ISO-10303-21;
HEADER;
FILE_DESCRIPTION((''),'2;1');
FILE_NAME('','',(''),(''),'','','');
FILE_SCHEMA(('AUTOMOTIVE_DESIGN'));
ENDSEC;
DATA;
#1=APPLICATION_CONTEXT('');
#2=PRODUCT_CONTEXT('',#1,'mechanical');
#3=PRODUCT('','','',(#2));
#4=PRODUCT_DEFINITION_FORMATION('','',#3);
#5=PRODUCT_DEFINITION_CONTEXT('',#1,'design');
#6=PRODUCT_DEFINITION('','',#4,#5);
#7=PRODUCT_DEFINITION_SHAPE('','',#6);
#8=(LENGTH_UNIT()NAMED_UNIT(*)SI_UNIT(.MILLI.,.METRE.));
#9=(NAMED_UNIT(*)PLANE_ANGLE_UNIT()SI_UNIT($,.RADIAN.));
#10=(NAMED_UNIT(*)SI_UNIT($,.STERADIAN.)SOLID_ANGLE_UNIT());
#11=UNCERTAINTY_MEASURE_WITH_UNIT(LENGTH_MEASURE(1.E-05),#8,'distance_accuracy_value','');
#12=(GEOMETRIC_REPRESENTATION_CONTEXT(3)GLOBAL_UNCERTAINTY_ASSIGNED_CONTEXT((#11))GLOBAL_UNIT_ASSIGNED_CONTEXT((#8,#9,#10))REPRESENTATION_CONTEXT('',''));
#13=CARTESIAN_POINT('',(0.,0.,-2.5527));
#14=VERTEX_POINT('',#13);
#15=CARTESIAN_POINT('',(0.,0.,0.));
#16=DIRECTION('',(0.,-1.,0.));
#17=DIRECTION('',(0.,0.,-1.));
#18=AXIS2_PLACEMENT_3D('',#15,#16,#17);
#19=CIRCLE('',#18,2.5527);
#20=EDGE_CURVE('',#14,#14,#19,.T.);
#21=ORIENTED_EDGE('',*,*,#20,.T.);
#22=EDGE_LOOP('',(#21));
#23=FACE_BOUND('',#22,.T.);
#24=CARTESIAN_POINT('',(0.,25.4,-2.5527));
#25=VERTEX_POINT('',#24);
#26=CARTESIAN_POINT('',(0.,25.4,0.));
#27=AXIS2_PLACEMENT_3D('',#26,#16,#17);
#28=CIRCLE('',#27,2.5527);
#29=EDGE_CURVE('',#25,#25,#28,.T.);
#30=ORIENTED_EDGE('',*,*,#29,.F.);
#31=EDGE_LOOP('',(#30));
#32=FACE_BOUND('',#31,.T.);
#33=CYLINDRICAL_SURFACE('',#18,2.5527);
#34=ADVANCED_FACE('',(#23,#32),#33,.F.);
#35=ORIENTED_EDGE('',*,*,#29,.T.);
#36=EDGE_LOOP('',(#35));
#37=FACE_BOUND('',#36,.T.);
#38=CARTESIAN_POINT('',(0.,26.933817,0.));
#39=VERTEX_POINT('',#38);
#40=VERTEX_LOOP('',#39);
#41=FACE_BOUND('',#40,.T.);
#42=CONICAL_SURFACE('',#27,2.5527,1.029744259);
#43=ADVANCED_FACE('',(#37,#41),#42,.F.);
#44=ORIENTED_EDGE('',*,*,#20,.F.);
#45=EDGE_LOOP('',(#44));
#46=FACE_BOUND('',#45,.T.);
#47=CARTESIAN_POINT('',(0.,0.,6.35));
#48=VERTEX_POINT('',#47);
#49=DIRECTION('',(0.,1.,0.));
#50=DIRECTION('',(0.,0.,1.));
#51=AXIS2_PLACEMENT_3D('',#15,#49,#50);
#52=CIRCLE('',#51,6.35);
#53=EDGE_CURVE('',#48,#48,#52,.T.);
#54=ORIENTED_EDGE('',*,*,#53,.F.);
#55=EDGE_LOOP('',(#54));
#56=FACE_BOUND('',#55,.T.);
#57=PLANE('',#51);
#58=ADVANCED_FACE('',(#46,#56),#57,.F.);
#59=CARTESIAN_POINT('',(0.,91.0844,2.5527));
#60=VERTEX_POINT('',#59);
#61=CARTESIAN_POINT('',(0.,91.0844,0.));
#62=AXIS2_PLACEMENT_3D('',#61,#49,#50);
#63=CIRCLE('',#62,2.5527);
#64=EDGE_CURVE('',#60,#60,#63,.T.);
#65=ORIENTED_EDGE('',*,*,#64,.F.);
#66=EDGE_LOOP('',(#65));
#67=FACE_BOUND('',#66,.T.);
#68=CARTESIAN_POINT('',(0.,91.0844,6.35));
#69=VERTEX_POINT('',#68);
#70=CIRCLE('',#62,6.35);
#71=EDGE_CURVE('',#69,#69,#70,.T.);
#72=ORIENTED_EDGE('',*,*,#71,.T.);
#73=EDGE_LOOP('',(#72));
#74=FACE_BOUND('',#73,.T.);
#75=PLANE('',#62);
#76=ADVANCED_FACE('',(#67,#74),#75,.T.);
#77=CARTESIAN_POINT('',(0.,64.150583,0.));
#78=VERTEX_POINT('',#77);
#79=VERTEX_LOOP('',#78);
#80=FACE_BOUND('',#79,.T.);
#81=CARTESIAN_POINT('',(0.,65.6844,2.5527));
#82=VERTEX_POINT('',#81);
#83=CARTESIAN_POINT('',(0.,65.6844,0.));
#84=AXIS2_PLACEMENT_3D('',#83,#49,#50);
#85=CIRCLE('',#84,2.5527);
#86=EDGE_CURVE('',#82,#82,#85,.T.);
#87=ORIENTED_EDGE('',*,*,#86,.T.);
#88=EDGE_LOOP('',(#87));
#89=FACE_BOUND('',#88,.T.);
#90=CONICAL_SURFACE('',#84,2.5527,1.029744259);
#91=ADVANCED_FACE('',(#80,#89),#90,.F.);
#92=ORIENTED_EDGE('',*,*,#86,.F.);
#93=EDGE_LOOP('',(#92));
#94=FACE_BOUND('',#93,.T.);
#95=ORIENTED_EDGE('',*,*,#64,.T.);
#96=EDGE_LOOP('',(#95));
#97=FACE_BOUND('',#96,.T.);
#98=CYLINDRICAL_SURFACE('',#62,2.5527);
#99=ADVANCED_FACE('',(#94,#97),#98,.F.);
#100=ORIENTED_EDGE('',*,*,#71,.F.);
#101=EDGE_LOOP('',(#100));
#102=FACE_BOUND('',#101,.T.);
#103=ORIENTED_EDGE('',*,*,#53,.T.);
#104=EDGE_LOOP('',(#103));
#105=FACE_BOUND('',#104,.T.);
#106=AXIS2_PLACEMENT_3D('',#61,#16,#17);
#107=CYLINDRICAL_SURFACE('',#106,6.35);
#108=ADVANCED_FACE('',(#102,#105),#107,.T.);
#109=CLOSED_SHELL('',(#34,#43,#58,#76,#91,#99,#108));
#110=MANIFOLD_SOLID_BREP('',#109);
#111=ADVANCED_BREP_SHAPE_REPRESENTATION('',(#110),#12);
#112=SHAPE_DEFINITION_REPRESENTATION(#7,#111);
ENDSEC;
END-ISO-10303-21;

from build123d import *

# Parameters (mm, degrees)
SKETCH1_R                   = 6.35
BOSS_EXTRUDE1_DEPTH         = 91.0844
F_1_4_20_TAPPED_HOLE1_D     = 5.1054
F_1_4_20_TAPPED_HOLE1_DEPTH = 25.4
F_1_4_20_TAPPED_HOLE1_TIP   = 1.533816902
F_1_4_20_TAPPED_HOLE2_D     = 5.1054
F_1_4_20_TAPPED_HOLE2_DEPTH = 25.4
F_1_4_20_TAPPED_HOLE2_TIP   = 1.533816902


with BuildPart() as part:
    # Sketch1 → Boss-Extrude1 (new body)
    with BuildSketch(Plane(origin=(0, 0, 0), x_dir=(1, 0, 0), z_dir=(0, 1, 0))):
        with Locations(Location((0, 0, 0), (0, 0, 270))):
            Circle(SKETCH1_R)
    extrude(amount=BOSS_EXTRUDE1_DEPTH)

    # 1/4-20 Tapped Hole1
    with Locations(Plane(origin=(0, 91.0844, 0), x_dir=(1, 0, 0), z_dir=(0, 1, 0))):
        with Locations((0, 0)):
            Hole(F_1_4_20_TAPPED_HOLE1_D / 2, depth=F_1_4_20_TAPPED_HOLE1_DEPTH)
            with Locations((0, 0, -(F_1_4_20_TAPPED_HOLE1_DEPTH + F_1_4_20_TAPPED_HOLE1_TIP / 2))):  # 118° drill point
                Cone(0, F_1_4_20_TAPPED_HOLE1_D / 2, F_1_4_20_TAPPED_HOLE1_TIP, mode=Mode.SUBTRACT)

    # 1/4-20 Tapped Hole2
    with Locations(Plane(origin=(0, 0, 0), x_dir=(-1, 0, 0), z_dir=(0, -1, 0))):
        with Locations((0, 0)):
            Hole(F_1_4_20_TAPPED_HOLE2_D / 2, depth=F_1_4_20_TAPPED_HOLE2_DEPTH)
            with Locations((0, 0, -(F_1_4_20_TAPPED_HOLE2_DEPTH + F_1_4_20_TAPPED_HOLE2_TIP / 2))):  # 118° drill point
                Cone(0, F_1_4_20_TAPPED_HOLE2_D / 2, F_1_4_20_TAPPED_HOLE2_TIP, mode=Mode.SUBTRACT)


solid = part.part
